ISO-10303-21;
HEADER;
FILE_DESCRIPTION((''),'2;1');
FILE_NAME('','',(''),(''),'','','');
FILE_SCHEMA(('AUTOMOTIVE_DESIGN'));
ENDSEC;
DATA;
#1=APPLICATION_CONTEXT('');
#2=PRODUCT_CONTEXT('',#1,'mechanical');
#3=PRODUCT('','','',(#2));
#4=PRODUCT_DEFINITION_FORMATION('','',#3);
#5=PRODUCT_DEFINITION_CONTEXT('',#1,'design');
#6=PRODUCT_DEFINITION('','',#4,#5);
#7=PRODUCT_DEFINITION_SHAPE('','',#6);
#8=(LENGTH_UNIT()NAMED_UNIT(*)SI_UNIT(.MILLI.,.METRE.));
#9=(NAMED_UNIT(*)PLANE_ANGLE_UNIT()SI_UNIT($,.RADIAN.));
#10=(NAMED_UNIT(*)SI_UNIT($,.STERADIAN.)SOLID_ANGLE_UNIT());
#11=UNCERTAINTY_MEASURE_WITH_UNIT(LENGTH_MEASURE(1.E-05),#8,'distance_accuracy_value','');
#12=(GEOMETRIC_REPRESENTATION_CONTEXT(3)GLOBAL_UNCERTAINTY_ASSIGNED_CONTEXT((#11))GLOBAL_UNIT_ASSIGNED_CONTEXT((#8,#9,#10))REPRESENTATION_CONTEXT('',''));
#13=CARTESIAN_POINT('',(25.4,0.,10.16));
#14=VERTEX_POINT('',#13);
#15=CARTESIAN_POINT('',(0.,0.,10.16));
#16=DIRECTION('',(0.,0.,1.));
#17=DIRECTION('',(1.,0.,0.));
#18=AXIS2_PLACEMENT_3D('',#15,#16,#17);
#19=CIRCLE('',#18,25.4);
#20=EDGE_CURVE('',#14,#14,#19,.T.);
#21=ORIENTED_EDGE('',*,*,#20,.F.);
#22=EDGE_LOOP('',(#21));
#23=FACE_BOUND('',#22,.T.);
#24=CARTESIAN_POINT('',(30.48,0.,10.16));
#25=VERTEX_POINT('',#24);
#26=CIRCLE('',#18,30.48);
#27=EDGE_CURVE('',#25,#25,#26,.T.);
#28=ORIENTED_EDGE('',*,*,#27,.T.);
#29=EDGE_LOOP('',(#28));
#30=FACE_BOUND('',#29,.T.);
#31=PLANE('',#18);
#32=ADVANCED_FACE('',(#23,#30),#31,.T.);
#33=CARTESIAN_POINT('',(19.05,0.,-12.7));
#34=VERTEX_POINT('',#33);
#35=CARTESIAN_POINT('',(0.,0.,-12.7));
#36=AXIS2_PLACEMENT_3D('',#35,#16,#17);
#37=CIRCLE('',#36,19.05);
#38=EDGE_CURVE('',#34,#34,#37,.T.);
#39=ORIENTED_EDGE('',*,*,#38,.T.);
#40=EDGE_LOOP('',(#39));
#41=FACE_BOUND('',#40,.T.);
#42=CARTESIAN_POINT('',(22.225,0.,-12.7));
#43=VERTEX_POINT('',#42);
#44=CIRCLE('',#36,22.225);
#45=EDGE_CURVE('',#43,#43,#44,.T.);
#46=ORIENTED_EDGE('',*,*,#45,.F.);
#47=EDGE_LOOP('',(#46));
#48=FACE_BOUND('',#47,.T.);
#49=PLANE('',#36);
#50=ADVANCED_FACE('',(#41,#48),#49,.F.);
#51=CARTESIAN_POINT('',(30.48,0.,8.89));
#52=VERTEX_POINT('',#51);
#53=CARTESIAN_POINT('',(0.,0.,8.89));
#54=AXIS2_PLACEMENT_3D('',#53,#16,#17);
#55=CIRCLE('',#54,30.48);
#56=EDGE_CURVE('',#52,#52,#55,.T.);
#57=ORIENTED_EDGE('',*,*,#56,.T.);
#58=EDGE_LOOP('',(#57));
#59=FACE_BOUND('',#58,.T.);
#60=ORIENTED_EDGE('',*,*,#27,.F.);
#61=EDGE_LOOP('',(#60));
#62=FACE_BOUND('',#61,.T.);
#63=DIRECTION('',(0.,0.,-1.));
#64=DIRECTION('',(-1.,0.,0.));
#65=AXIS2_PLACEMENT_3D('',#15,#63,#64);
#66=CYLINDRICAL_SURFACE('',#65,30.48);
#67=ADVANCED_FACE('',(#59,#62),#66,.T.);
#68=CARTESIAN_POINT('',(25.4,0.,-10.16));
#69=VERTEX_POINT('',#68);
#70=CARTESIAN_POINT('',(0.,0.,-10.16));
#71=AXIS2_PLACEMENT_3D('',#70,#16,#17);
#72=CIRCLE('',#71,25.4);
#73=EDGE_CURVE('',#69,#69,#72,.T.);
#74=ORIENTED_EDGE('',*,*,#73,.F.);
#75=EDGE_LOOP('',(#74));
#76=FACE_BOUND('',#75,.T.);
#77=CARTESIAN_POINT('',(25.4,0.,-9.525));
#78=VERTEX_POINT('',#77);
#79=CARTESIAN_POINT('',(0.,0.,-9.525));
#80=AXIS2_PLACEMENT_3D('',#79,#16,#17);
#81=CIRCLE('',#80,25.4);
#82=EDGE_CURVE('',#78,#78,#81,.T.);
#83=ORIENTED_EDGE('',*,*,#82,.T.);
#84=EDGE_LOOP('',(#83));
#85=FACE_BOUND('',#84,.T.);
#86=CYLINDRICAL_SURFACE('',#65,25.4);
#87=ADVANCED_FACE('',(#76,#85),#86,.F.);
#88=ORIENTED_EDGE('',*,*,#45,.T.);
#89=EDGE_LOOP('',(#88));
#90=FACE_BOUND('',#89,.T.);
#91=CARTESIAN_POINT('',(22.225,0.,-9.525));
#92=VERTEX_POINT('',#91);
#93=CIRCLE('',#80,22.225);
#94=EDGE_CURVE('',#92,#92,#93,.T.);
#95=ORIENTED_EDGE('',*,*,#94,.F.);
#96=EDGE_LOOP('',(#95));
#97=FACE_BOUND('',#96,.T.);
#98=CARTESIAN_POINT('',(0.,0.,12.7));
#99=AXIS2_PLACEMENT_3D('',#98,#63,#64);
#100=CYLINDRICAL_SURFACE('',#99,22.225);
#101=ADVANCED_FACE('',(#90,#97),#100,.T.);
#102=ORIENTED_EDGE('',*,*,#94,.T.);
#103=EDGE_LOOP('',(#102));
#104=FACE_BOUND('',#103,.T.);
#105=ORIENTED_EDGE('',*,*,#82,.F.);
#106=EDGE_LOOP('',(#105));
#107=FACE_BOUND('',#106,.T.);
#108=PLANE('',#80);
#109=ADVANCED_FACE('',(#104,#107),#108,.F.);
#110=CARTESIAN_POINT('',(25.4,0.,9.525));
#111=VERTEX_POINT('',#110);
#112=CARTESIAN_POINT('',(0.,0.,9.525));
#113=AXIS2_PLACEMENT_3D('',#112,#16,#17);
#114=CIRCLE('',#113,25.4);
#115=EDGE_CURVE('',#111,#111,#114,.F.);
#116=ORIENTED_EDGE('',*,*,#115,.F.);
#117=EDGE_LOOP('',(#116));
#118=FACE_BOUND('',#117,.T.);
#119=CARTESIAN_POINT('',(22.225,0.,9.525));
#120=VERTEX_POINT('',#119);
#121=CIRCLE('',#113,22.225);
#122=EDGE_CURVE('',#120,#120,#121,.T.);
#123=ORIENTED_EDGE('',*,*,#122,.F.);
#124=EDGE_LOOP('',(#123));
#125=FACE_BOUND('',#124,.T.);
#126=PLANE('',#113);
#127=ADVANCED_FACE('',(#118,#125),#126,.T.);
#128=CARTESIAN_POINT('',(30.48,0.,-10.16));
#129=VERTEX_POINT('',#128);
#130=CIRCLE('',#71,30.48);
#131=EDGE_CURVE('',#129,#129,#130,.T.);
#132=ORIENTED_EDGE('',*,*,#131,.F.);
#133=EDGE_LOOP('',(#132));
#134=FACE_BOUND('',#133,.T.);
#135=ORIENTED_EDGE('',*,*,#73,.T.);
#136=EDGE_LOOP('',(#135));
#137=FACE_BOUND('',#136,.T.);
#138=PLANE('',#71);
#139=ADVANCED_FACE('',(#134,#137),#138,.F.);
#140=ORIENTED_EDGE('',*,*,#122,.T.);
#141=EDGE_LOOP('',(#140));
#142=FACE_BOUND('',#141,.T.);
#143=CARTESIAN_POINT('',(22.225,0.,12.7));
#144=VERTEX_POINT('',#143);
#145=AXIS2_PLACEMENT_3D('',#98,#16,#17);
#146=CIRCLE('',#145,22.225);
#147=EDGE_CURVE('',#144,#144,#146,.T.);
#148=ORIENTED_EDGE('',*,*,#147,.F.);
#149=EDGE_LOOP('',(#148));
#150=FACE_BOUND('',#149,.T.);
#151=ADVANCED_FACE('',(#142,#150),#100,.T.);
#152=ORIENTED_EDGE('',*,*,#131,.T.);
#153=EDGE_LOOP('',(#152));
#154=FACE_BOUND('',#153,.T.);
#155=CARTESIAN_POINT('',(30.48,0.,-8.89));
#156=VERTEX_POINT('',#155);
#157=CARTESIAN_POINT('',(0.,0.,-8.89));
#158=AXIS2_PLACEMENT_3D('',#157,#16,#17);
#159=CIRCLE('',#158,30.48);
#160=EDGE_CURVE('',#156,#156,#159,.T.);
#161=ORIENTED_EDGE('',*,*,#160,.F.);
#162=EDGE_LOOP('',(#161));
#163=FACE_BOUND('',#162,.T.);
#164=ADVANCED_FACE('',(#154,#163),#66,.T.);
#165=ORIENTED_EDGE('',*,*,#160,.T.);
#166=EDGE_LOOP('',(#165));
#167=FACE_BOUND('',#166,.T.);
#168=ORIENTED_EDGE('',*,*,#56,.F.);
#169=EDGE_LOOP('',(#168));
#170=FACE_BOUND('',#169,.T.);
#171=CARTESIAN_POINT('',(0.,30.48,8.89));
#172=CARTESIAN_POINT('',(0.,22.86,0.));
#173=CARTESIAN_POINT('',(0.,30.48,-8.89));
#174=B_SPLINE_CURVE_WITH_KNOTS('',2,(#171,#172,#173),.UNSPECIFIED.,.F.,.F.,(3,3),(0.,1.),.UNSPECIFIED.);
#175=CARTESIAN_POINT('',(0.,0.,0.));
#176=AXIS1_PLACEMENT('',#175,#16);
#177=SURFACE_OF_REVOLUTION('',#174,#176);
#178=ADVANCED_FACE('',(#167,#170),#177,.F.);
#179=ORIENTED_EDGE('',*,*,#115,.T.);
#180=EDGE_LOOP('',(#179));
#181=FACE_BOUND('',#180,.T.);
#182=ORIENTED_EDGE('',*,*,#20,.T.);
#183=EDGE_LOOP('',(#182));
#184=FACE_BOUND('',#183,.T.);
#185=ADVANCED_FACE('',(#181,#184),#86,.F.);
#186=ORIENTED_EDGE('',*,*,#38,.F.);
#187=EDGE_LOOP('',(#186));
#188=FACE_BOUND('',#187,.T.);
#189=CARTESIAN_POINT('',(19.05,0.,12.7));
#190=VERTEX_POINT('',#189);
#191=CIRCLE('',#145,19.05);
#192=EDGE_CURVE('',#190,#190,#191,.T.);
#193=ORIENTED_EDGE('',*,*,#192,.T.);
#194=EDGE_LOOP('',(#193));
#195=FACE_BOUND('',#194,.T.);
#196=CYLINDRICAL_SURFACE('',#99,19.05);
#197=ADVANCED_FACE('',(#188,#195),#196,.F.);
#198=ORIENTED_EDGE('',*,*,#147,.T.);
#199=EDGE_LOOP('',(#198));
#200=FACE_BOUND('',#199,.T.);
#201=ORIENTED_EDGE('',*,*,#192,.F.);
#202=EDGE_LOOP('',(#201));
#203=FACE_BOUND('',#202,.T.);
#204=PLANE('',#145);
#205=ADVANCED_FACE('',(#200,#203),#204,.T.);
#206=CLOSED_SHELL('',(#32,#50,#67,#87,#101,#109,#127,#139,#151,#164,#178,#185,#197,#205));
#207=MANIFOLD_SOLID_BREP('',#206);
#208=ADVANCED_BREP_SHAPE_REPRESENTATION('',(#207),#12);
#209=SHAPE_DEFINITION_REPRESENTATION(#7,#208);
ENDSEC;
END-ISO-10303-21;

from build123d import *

# Parameters (mm, degrees)
SKETCH1_R           = 22.225
SKETCH1_R_2         = 19.05
BOSS_EXTRUDE1_DEPTH = 12.7
SKETCH2_R           = 25.4
SKETCH2_R_2         = 22.225
BOSS_EXTRUDE2_DEPTH = 9.525
SKETCH3_R           = 30.48
SKETCH3_R_2         = 25.4
BOSS_EXTRUDE3_DEPTH = 10.16


with BuildPart() as part:
    # Sketch1 → Boss-Extrude1 (new, symmetric)
    with BuildSketch(Plane.XY):
        Circle(SKETCH1_R)
        Circle(SKETCH1_R_2, mode=Mode.SUBTRACT)
    extrude(amount=BOSS_EXTRUDE1_DEPTH, both=True)

    # Sketch2 → Boss-Extrude2 (add, symmetric)
    with BuildSketch(Plane.XY):
        with Locations(Location((0, 0, 0), (0, 0, 180))):
            Circle(SKETCH2_R)
        Circle(SKETCH2_R_2, mode=Mode.SUBTRACT)
    extrude(amount=BOSS_EXTRUDE2_DEPTH, both=True)

    # Sketch3 → Boss-Extrude3 (add, symmetric)
    with BuildSketch(Plane.XY):
        Circle(SKETCH3_R)
        Circle(SKETCH3_R_2, mode=Mode.SUBTRACT)
    extrude(amount=BOSS_EXTRUDE3_DEPTH, both=True)

    # Sketch4 → Cut-Revolve2 (revolve, cut)
    with BuildSketch(Plane(origin=(0, 0, 0), x_dir=(0, 0, -1), z_dir=(1, 0, 0)), mode=Mode.PRIVATE) as cut_revolve2_sk:
        with BuildLine():
            Line((-8.89, 30.48), (8.89, 30.48))
            add(Edge.make_bspline(
                [(-8.89, 30.48), (0, 22.86), (8.89, 30.48)],
                knots=[0, 0, 0, 1, 1, 1], degree=2))
        make_face()
    revolve(cut_revolve2_sk.sketch.rotate(Axis((0, 0, 0), (0, 0, -1)), 90), axis=Axis((0, 0, 0), (0, 0, -1)), mode=Mode.SUBTRACT)


solid = part.part
